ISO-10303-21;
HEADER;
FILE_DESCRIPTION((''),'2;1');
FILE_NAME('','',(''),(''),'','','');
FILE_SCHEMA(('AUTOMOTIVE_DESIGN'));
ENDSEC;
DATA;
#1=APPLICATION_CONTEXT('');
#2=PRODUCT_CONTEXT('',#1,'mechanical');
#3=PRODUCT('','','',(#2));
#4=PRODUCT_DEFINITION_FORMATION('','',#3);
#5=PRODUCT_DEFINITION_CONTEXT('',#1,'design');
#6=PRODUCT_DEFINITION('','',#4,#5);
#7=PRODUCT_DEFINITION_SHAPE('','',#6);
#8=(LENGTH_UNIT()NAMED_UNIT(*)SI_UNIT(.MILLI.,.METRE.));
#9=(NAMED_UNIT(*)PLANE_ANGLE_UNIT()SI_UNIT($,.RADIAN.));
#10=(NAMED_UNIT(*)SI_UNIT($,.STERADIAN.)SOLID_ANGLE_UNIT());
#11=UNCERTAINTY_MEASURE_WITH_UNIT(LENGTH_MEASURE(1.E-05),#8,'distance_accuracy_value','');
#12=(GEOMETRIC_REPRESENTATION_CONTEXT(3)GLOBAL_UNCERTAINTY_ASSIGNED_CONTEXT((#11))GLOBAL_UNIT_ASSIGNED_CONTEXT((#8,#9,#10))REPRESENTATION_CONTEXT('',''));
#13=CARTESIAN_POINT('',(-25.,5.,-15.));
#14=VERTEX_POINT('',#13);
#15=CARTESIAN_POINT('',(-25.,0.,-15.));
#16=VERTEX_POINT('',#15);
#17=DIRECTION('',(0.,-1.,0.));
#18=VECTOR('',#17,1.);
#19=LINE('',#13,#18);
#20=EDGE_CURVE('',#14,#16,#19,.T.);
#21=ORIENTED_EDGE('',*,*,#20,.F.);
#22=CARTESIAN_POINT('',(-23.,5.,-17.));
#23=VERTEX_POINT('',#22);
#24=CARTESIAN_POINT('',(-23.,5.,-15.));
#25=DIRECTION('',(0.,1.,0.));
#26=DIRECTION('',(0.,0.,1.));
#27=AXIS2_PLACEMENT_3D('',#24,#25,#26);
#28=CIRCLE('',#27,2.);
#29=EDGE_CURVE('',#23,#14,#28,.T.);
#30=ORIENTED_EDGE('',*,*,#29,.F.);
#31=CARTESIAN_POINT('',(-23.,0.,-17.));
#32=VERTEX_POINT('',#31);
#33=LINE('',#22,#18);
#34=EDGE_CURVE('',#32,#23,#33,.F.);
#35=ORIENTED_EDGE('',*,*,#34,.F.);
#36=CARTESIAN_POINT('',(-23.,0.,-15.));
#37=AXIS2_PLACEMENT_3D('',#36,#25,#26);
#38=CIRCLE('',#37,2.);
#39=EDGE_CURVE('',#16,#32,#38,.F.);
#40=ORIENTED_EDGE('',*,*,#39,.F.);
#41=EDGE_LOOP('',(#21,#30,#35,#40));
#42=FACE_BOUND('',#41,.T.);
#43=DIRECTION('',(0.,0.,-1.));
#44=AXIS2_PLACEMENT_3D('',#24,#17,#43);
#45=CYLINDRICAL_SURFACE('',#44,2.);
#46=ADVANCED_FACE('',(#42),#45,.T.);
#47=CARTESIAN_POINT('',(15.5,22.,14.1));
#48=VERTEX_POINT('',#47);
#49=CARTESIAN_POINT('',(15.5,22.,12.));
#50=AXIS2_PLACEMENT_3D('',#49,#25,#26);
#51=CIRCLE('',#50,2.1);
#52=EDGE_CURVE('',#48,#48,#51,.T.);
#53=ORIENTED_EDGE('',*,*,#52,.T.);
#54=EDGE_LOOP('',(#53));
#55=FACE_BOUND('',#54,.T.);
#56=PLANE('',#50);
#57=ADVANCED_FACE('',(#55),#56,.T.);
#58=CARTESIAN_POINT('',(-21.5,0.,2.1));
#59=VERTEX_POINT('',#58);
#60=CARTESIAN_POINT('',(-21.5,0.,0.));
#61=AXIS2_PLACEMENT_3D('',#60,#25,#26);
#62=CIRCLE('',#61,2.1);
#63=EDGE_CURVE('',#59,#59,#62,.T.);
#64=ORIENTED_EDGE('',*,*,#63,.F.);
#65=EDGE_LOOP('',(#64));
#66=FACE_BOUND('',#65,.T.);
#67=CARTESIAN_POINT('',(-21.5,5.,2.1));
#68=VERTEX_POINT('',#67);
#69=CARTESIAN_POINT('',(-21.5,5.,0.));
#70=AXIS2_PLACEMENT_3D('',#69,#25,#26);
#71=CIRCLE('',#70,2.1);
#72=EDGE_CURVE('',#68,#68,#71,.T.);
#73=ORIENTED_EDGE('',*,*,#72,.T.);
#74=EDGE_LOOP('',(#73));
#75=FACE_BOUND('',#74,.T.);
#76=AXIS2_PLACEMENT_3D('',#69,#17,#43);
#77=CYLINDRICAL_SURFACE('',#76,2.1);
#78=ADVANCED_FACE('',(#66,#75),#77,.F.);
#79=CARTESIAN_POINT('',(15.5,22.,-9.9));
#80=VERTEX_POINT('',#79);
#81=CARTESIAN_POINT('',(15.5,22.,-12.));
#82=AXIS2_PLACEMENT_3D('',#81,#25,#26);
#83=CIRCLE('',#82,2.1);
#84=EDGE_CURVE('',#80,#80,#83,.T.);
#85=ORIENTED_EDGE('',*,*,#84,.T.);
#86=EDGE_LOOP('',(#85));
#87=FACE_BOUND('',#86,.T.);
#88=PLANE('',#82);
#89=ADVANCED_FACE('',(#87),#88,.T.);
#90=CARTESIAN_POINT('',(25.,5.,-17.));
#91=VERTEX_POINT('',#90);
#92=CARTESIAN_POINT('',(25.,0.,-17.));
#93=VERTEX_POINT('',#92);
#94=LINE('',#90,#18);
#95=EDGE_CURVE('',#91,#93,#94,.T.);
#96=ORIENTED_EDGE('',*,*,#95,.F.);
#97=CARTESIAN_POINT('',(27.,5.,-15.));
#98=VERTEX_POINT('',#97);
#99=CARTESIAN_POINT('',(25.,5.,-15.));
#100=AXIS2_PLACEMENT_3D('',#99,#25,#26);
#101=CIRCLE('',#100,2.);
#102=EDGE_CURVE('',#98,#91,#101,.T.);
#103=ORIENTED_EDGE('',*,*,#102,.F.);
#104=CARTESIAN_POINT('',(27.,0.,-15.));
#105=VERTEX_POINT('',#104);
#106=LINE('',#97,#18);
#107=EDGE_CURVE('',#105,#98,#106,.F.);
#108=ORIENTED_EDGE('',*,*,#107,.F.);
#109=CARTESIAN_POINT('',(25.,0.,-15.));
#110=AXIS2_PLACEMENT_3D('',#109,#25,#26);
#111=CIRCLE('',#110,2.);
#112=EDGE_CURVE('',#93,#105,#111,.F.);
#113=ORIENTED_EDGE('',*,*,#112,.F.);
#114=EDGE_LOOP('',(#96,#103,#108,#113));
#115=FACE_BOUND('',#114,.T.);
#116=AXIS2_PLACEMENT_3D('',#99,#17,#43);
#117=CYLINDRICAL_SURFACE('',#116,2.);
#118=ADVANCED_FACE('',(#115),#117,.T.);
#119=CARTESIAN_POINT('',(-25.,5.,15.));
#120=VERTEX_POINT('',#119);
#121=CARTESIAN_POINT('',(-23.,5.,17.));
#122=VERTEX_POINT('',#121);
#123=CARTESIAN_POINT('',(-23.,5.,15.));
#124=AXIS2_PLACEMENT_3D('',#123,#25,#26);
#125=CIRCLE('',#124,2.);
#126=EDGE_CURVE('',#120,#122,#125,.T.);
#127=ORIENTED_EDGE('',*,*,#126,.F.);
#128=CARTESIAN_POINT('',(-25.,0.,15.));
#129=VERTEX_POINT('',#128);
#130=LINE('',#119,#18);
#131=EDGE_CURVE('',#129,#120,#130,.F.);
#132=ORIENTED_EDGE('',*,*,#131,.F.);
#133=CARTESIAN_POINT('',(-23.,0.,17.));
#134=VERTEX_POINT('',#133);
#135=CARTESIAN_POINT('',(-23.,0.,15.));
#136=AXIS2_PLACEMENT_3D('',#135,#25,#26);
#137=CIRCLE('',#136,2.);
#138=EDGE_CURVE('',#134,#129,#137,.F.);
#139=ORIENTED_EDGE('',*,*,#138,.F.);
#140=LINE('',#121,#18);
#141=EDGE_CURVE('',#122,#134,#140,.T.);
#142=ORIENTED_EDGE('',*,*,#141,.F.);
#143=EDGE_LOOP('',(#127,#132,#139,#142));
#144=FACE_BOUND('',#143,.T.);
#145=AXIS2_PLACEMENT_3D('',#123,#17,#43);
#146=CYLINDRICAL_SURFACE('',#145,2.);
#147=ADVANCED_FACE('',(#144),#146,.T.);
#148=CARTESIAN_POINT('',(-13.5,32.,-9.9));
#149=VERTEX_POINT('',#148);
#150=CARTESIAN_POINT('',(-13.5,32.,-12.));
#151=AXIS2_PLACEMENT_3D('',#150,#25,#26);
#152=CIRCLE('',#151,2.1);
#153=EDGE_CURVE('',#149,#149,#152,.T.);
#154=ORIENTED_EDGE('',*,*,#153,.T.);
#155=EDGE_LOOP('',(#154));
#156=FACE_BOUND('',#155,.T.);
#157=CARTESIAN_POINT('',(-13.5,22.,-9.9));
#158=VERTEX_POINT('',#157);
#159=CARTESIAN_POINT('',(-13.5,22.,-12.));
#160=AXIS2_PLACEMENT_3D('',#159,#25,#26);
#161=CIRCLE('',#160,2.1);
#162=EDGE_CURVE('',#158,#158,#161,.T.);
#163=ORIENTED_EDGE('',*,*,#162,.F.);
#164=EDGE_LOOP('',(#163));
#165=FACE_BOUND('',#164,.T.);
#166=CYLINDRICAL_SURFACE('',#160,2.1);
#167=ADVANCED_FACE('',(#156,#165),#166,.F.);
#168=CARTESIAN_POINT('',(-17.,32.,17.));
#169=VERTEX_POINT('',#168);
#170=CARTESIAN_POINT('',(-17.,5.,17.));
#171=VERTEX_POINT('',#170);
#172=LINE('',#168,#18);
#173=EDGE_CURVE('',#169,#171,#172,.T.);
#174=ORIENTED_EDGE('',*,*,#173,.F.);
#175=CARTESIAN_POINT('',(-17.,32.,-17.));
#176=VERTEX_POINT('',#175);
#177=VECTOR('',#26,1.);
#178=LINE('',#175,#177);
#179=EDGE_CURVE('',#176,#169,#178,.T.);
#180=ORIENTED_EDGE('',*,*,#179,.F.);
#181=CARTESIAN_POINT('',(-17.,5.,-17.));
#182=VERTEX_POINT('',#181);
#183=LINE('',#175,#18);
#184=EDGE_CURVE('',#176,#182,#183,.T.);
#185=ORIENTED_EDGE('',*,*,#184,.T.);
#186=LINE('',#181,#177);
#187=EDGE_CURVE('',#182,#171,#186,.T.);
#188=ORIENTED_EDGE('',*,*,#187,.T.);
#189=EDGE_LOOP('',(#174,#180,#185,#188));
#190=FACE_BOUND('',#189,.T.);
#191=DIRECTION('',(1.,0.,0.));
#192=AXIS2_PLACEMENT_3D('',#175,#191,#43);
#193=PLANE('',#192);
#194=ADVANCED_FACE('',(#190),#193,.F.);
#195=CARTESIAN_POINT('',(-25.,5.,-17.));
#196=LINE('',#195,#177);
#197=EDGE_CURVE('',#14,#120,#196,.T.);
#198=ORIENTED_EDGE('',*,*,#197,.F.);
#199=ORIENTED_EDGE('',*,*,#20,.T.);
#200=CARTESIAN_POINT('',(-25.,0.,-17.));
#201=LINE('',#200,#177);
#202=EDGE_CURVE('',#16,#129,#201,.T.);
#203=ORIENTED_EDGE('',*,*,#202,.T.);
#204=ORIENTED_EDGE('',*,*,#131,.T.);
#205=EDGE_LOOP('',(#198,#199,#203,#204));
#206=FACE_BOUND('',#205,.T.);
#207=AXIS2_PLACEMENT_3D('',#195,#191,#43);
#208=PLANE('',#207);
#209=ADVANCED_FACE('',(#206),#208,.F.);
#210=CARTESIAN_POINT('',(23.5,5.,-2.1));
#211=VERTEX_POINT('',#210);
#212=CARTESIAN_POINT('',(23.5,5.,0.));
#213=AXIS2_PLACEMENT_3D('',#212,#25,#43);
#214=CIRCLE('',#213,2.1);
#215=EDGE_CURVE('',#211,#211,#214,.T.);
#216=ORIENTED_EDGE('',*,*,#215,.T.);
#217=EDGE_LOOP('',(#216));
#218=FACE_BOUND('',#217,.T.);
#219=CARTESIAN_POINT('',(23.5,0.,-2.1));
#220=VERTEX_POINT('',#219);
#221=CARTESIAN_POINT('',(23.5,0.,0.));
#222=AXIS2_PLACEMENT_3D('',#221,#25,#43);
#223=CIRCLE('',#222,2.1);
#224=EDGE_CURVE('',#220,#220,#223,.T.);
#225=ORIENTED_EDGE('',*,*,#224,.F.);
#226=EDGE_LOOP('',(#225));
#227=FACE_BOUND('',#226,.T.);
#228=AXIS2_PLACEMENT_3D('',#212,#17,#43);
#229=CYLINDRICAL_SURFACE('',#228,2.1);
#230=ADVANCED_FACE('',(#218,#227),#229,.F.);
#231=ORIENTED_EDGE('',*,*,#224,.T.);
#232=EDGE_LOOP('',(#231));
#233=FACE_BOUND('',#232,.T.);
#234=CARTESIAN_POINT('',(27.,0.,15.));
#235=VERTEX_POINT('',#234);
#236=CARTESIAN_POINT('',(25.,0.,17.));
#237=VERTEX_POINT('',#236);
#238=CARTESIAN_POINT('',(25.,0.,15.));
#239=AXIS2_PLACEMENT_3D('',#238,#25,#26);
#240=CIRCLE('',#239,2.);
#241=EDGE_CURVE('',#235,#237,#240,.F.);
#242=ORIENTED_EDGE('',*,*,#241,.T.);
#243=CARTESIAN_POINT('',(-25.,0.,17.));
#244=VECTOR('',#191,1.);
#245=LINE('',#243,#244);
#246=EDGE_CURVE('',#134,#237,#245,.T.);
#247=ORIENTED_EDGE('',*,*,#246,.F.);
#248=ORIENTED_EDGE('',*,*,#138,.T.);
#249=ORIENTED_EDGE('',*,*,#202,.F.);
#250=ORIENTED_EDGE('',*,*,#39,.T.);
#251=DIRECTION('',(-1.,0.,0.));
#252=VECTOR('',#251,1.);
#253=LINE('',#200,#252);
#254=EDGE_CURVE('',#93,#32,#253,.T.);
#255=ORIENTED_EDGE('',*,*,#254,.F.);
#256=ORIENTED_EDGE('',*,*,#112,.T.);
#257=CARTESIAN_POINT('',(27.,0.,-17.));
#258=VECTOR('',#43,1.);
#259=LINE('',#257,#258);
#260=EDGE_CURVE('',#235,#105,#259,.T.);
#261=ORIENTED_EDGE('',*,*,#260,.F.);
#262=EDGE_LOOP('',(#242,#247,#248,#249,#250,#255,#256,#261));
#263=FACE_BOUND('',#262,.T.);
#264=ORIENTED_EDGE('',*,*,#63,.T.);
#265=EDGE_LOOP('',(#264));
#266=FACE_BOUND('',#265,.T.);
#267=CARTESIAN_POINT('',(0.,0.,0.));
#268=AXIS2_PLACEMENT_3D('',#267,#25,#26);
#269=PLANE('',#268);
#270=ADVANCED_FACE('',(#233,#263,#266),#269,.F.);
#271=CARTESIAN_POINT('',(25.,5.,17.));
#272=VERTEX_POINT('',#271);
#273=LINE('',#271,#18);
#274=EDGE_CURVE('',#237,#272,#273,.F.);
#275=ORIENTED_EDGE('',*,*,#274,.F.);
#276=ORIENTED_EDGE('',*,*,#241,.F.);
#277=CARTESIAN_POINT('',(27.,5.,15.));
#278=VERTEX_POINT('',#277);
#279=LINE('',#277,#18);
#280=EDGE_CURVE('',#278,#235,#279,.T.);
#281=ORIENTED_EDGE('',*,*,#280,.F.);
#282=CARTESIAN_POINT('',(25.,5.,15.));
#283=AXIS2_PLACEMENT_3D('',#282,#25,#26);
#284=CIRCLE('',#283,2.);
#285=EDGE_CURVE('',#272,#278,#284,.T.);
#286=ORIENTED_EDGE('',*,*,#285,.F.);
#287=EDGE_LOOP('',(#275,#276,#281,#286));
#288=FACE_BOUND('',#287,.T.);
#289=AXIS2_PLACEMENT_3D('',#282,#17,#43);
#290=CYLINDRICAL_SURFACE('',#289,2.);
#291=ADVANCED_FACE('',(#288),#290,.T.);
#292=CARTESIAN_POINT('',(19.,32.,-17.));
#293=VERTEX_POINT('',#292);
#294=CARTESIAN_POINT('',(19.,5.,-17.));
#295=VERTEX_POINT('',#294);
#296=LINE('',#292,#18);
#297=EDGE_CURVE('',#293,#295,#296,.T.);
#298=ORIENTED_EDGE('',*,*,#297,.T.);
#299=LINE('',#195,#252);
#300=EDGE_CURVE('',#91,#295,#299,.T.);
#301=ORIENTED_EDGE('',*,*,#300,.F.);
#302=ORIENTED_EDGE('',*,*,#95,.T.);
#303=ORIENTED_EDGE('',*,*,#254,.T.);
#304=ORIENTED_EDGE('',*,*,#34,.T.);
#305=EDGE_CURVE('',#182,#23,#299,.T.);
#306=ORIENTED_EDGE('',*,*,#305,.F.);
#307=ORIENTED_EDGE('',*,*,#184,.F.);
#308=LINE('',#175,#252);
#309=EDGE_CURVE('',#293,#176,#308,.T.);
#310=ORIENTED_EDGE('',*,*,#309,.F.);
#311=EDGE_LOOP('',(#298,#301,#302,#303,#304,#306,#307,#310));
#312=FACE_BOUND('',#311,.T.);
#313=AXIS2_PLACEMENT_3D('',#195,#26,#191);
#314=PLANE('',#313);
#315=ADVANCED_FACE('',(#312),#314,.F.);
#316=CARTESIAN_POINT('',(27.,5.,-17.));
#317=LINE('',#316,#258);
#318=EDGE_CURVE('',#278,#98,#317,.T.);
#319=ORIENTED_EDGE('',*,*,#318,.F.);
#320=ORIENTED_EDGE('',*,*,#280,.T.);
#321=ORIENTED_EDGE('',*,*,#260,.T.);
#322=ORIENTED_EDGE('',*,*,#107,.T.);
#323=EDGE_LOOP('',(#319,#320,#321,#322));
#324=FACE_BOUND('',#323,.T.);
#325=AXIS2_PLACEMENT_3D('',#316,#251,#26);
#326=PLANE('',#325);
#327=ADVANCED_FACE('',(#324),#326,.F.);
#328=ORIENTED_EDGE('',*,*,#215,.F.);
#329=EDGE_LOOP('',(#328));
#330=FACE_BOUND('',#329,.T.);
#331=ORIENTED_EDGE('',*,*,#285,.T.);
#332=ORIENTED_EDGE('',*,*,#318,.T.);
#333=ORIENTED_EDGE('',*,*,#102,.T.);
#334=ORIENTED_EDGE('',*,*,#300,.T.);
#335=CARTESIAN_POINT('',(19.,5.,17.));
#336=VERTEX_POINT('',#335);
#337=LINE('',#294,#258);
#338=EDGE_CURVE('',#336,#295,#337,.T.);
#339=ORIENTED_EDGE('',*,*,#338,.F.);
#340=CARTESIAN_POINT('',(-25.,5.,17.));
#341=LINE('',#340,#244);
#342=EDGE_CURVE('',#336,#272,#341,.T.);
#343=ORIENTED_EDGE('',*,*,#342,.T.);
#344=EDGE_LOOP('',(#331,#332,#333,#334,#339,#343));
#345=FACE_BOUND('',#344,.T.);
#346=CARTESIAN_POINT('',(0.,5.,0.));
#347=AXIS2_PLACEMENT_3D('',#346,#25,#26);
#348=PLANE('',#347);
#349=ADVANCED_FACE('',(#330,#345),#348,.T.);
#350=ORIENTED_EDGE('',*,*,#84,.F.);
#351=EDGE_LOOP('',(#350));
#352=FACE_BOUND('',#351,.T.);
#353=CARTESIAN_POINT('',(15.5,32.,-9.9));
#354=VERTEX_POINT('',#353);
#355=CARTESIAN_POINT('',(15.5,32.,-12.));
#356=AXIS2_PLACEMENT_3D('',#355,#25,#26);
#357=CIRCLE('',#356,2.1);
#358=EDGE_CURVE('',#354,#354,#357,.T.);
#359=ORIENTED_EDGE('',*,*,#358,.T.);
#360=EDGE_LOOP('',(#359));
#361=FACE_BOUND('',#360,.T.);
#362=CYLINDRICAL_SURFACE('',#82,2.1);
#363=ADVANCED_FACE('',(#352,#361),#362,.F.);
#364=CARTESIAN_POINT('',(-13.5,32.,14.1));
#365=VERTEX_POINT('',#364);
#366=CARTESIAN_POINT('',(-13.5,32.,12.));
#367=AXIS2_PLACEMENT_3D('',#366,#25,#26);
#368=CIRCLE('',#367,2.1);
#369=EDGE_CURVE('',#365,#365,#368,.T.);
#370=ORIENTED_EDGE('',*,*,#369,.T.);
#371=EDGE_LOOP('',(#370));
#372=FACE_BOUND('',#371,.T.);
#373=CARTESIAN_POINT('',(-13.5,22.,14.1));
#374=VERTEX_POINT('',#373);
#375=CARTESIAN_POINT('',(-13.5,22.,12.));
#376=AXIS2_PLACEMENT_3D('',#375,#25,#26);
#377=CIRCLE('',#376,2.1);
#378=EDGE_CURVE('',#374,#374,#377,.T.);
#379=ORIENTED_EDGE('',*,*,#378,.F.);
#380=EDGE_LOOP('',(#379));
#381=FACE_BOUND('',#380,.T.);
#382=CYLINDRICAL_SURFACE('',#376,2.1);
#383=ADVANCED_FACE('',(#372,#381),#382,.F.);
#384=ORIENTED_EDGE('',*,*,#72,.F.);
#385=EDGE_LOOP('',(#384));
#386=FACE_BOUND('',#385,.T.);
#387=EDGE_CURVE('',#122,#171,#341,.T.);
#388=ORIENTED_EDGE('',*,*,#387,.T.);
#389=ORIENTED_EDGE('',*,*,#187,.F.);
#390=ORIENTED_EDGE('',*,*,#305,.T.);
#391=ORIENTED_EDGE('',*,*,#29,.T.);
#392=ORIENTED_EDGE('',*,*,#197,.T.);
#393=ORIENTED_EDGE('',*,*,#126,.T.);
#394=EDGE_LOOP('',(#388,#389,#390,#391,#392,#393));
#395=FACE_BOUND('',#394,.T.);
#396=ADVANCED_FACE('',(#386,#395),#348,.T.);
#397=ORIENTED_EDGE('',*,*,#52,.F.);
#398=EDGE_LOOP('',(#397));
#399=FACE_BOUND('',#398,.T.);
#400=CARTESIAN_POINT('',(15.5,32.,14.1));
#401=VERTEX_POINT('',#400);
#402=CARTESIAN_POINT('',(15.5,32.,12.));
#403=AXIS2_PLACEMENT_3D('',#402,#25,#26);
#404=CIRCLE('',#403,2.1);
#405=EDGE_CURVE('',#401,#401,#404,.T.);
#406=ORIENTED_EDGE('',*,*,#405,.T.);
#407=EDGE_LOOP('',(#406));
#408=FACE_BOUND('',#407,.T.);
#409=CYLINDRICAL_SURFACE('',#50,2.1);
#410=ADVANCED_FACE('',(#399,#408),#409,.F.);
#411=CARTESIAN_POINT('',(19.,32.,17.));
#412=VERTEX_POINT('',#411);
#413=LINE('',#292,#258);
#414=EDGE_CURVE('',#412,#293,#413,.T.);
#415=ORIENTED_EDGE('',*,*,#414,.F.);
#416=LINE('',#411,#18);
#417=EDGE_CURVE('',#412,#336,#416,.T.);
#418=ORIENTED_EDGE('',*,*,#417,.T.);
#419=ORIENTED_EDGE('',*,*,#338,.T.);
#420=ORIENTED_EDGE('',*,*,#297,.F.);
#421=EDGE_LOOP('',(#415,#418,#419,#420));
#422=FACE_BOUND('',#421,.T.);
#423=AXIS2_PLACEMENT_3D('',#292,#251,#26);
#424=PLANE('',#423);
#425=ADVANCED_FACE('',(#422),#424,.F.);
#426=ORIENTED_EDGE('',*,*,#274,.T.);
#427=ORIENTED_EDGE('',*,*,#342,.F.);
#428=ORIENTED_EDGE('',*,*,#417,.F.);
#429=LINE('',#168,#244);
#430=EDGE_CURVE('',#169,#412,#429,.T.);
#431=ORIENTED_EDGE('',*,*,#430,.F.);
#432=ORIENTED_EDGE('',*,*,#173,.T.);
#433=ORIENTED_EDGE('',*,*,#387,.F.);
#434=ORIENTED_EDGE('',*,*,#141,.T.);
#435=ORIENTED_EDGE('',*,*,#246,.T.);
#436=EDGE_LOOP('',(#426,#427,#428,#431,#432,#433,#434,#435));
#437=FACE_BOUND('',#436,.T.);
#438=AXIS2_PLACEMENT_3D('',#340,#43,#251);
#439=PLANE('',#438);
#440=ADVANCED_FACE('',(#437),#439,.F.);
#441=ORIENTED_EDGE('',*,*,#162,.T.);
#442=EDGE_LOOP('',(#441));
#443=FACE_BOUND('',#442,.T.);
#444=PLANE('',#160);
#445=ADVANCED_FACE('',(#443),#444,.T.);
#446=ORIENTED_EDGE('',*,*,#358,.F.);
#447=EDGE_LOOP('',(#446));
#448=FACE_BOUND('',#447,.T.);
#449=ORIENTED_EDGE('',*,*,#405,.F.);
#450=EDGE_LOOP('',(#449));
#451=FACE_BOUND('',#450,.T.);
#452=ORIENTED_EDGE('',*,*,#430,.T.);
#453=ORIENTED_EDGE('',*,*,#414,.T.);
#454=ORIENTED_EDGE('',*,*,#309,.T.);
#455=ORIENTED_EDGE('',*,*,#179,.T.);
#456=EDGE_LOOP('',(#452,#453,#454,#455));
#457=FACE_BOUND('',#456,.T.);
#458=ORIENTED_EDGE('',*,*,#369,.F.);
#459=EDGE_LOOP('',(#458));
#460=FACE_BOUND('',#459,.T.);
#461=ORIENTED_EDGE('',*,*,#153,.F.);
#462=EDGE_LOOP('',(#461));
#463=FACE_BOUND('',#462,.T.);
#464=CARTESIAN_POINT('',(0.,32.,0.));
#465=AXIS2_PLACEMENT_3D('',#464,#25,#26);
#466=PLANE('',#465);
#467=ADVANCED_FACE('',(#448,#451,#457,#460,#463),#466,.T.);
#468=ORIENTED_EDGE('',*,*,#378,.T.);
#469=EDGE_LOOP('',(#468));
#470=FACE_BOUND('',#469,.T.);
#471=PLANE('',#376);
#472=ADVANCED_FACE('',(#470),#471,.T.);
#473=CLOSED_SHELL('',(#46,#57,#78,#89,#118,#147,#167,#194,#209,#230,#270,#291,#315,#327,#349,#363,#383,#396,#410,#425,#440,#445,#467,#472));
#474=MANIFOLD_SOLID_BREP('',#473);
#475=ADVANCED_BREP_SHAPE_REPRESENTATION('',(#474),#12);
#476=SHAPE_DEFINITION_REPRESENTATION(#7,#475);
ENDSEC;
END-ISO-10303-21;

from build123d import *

# Parameters (mm, degrees)
SKETCH_1_W          = 52
SKETCH_1_H          = 34
SKETCH_1_R          = 2.1
EXTRUDE_1_DEPTH     = 5
SKETCH_2_W          = 36
SKETCH_2_H          = 34
EXTRUDE_2_DEPTH     = 27
SKETCH_3_R          = 2.1
CUT_EXTRUDE_1_DEPTH = 10
FILLET_1_R          = 2
FILLET_2_R          = 2
FILLET_3_R          = 2
FILLET_4_R          = 2


with BuildPart() as part:
    # 草图1 → 凸台-拉伸1 (new body)
    with BuildSketch(Plane(origin=(0, 0, 0), x_dir=(1, 0, 0), z_dir=(0, 1, 0))):
        with Locations((1, 0)):
            Rectangle(SKETCH_1_W, SKETCH_1_H)
        with Locations(Location((-21.5, 0, 0), (0, 0, 270))):
            Circle(SKETCH_1_R, mode=Mode.SUBTRACT)
        with Locations(Location((23.5, 0, 0), (0, 0, 90))):
            Circle(SKETCH_1_R, mode=Mode.SUBTRACT)
    extrude(amount=EXTRUDE_1_DEPTH)

    # 草图2 → 凸台-拉伸2 (add)
    with BuildSketch(Plane(origin=(0, 5, 0), x_dir=(1, 0, 0), z_dir=(0, 1, 0))):
        with Locations((1, 0)):
            Rectangle(SKETCH_2_W, SKETCH_2_H)
    extrude(amount=EXTRUDE_2_DEPTH)

    # 草图3 → 切除-拉伸1 (cut)
    with BuildSketch(Plane(origin=(0, 32, 0), x_dir=(1, 0, 0), z_dir=(0, 1, 0))):
        with Locations(Location((-13.5, 12, 0), (0, 0, 270))):
            Circle(SKETCH_3_R)
        with Locations(Location((15.5, 12, 0), (0, 0, 270))):
            Circle(SKETCH_3_R)
        with Locations(Location((15.5, -12, 0), (0, 0, 270))):
            Circle(SKETCH_3_R)
        with Locations(Location((-13.5, -12, 0), (0, 0, 270))):
            Circle(SKETCH_3_R)
    extrude(amount=-CUT_EXTRUDE_1_DEPTH, mode=Mode.SUBTRACT)

    # 圆角1
    fillet_1_edges = [part.edges().sort_by_distance(p)[0] for p in [
        (-25, 2.5, -17),
    ]]
    fillet(fillet_1_edges, radius=FILLET_1_R)

    # 圆角2
    fillet_2_edges = [part.edges().sort_by_distance(p)[0] for p in [
        (-25, 2.5, 17),
    ]]
    fillet(fillet_2_edges, radius=FILLET_2_R)

    # 圆角3
    fillet_3_edges = [part.edges().sort_by_distance(p)[0] for p in [
        (27, 2.5, 17),
    ]]
    fillet(fillet_3_edges, radius=FILLET_3_R)

    # 圆角4
    fillet_4_edges = [part.edges().sort_by_distance(p)[0] for p in [
        (27, 2.5, -17),
    ]]
    fillet(fillet_4_edges, radius=FILLET_4_R)


solid = part.part
